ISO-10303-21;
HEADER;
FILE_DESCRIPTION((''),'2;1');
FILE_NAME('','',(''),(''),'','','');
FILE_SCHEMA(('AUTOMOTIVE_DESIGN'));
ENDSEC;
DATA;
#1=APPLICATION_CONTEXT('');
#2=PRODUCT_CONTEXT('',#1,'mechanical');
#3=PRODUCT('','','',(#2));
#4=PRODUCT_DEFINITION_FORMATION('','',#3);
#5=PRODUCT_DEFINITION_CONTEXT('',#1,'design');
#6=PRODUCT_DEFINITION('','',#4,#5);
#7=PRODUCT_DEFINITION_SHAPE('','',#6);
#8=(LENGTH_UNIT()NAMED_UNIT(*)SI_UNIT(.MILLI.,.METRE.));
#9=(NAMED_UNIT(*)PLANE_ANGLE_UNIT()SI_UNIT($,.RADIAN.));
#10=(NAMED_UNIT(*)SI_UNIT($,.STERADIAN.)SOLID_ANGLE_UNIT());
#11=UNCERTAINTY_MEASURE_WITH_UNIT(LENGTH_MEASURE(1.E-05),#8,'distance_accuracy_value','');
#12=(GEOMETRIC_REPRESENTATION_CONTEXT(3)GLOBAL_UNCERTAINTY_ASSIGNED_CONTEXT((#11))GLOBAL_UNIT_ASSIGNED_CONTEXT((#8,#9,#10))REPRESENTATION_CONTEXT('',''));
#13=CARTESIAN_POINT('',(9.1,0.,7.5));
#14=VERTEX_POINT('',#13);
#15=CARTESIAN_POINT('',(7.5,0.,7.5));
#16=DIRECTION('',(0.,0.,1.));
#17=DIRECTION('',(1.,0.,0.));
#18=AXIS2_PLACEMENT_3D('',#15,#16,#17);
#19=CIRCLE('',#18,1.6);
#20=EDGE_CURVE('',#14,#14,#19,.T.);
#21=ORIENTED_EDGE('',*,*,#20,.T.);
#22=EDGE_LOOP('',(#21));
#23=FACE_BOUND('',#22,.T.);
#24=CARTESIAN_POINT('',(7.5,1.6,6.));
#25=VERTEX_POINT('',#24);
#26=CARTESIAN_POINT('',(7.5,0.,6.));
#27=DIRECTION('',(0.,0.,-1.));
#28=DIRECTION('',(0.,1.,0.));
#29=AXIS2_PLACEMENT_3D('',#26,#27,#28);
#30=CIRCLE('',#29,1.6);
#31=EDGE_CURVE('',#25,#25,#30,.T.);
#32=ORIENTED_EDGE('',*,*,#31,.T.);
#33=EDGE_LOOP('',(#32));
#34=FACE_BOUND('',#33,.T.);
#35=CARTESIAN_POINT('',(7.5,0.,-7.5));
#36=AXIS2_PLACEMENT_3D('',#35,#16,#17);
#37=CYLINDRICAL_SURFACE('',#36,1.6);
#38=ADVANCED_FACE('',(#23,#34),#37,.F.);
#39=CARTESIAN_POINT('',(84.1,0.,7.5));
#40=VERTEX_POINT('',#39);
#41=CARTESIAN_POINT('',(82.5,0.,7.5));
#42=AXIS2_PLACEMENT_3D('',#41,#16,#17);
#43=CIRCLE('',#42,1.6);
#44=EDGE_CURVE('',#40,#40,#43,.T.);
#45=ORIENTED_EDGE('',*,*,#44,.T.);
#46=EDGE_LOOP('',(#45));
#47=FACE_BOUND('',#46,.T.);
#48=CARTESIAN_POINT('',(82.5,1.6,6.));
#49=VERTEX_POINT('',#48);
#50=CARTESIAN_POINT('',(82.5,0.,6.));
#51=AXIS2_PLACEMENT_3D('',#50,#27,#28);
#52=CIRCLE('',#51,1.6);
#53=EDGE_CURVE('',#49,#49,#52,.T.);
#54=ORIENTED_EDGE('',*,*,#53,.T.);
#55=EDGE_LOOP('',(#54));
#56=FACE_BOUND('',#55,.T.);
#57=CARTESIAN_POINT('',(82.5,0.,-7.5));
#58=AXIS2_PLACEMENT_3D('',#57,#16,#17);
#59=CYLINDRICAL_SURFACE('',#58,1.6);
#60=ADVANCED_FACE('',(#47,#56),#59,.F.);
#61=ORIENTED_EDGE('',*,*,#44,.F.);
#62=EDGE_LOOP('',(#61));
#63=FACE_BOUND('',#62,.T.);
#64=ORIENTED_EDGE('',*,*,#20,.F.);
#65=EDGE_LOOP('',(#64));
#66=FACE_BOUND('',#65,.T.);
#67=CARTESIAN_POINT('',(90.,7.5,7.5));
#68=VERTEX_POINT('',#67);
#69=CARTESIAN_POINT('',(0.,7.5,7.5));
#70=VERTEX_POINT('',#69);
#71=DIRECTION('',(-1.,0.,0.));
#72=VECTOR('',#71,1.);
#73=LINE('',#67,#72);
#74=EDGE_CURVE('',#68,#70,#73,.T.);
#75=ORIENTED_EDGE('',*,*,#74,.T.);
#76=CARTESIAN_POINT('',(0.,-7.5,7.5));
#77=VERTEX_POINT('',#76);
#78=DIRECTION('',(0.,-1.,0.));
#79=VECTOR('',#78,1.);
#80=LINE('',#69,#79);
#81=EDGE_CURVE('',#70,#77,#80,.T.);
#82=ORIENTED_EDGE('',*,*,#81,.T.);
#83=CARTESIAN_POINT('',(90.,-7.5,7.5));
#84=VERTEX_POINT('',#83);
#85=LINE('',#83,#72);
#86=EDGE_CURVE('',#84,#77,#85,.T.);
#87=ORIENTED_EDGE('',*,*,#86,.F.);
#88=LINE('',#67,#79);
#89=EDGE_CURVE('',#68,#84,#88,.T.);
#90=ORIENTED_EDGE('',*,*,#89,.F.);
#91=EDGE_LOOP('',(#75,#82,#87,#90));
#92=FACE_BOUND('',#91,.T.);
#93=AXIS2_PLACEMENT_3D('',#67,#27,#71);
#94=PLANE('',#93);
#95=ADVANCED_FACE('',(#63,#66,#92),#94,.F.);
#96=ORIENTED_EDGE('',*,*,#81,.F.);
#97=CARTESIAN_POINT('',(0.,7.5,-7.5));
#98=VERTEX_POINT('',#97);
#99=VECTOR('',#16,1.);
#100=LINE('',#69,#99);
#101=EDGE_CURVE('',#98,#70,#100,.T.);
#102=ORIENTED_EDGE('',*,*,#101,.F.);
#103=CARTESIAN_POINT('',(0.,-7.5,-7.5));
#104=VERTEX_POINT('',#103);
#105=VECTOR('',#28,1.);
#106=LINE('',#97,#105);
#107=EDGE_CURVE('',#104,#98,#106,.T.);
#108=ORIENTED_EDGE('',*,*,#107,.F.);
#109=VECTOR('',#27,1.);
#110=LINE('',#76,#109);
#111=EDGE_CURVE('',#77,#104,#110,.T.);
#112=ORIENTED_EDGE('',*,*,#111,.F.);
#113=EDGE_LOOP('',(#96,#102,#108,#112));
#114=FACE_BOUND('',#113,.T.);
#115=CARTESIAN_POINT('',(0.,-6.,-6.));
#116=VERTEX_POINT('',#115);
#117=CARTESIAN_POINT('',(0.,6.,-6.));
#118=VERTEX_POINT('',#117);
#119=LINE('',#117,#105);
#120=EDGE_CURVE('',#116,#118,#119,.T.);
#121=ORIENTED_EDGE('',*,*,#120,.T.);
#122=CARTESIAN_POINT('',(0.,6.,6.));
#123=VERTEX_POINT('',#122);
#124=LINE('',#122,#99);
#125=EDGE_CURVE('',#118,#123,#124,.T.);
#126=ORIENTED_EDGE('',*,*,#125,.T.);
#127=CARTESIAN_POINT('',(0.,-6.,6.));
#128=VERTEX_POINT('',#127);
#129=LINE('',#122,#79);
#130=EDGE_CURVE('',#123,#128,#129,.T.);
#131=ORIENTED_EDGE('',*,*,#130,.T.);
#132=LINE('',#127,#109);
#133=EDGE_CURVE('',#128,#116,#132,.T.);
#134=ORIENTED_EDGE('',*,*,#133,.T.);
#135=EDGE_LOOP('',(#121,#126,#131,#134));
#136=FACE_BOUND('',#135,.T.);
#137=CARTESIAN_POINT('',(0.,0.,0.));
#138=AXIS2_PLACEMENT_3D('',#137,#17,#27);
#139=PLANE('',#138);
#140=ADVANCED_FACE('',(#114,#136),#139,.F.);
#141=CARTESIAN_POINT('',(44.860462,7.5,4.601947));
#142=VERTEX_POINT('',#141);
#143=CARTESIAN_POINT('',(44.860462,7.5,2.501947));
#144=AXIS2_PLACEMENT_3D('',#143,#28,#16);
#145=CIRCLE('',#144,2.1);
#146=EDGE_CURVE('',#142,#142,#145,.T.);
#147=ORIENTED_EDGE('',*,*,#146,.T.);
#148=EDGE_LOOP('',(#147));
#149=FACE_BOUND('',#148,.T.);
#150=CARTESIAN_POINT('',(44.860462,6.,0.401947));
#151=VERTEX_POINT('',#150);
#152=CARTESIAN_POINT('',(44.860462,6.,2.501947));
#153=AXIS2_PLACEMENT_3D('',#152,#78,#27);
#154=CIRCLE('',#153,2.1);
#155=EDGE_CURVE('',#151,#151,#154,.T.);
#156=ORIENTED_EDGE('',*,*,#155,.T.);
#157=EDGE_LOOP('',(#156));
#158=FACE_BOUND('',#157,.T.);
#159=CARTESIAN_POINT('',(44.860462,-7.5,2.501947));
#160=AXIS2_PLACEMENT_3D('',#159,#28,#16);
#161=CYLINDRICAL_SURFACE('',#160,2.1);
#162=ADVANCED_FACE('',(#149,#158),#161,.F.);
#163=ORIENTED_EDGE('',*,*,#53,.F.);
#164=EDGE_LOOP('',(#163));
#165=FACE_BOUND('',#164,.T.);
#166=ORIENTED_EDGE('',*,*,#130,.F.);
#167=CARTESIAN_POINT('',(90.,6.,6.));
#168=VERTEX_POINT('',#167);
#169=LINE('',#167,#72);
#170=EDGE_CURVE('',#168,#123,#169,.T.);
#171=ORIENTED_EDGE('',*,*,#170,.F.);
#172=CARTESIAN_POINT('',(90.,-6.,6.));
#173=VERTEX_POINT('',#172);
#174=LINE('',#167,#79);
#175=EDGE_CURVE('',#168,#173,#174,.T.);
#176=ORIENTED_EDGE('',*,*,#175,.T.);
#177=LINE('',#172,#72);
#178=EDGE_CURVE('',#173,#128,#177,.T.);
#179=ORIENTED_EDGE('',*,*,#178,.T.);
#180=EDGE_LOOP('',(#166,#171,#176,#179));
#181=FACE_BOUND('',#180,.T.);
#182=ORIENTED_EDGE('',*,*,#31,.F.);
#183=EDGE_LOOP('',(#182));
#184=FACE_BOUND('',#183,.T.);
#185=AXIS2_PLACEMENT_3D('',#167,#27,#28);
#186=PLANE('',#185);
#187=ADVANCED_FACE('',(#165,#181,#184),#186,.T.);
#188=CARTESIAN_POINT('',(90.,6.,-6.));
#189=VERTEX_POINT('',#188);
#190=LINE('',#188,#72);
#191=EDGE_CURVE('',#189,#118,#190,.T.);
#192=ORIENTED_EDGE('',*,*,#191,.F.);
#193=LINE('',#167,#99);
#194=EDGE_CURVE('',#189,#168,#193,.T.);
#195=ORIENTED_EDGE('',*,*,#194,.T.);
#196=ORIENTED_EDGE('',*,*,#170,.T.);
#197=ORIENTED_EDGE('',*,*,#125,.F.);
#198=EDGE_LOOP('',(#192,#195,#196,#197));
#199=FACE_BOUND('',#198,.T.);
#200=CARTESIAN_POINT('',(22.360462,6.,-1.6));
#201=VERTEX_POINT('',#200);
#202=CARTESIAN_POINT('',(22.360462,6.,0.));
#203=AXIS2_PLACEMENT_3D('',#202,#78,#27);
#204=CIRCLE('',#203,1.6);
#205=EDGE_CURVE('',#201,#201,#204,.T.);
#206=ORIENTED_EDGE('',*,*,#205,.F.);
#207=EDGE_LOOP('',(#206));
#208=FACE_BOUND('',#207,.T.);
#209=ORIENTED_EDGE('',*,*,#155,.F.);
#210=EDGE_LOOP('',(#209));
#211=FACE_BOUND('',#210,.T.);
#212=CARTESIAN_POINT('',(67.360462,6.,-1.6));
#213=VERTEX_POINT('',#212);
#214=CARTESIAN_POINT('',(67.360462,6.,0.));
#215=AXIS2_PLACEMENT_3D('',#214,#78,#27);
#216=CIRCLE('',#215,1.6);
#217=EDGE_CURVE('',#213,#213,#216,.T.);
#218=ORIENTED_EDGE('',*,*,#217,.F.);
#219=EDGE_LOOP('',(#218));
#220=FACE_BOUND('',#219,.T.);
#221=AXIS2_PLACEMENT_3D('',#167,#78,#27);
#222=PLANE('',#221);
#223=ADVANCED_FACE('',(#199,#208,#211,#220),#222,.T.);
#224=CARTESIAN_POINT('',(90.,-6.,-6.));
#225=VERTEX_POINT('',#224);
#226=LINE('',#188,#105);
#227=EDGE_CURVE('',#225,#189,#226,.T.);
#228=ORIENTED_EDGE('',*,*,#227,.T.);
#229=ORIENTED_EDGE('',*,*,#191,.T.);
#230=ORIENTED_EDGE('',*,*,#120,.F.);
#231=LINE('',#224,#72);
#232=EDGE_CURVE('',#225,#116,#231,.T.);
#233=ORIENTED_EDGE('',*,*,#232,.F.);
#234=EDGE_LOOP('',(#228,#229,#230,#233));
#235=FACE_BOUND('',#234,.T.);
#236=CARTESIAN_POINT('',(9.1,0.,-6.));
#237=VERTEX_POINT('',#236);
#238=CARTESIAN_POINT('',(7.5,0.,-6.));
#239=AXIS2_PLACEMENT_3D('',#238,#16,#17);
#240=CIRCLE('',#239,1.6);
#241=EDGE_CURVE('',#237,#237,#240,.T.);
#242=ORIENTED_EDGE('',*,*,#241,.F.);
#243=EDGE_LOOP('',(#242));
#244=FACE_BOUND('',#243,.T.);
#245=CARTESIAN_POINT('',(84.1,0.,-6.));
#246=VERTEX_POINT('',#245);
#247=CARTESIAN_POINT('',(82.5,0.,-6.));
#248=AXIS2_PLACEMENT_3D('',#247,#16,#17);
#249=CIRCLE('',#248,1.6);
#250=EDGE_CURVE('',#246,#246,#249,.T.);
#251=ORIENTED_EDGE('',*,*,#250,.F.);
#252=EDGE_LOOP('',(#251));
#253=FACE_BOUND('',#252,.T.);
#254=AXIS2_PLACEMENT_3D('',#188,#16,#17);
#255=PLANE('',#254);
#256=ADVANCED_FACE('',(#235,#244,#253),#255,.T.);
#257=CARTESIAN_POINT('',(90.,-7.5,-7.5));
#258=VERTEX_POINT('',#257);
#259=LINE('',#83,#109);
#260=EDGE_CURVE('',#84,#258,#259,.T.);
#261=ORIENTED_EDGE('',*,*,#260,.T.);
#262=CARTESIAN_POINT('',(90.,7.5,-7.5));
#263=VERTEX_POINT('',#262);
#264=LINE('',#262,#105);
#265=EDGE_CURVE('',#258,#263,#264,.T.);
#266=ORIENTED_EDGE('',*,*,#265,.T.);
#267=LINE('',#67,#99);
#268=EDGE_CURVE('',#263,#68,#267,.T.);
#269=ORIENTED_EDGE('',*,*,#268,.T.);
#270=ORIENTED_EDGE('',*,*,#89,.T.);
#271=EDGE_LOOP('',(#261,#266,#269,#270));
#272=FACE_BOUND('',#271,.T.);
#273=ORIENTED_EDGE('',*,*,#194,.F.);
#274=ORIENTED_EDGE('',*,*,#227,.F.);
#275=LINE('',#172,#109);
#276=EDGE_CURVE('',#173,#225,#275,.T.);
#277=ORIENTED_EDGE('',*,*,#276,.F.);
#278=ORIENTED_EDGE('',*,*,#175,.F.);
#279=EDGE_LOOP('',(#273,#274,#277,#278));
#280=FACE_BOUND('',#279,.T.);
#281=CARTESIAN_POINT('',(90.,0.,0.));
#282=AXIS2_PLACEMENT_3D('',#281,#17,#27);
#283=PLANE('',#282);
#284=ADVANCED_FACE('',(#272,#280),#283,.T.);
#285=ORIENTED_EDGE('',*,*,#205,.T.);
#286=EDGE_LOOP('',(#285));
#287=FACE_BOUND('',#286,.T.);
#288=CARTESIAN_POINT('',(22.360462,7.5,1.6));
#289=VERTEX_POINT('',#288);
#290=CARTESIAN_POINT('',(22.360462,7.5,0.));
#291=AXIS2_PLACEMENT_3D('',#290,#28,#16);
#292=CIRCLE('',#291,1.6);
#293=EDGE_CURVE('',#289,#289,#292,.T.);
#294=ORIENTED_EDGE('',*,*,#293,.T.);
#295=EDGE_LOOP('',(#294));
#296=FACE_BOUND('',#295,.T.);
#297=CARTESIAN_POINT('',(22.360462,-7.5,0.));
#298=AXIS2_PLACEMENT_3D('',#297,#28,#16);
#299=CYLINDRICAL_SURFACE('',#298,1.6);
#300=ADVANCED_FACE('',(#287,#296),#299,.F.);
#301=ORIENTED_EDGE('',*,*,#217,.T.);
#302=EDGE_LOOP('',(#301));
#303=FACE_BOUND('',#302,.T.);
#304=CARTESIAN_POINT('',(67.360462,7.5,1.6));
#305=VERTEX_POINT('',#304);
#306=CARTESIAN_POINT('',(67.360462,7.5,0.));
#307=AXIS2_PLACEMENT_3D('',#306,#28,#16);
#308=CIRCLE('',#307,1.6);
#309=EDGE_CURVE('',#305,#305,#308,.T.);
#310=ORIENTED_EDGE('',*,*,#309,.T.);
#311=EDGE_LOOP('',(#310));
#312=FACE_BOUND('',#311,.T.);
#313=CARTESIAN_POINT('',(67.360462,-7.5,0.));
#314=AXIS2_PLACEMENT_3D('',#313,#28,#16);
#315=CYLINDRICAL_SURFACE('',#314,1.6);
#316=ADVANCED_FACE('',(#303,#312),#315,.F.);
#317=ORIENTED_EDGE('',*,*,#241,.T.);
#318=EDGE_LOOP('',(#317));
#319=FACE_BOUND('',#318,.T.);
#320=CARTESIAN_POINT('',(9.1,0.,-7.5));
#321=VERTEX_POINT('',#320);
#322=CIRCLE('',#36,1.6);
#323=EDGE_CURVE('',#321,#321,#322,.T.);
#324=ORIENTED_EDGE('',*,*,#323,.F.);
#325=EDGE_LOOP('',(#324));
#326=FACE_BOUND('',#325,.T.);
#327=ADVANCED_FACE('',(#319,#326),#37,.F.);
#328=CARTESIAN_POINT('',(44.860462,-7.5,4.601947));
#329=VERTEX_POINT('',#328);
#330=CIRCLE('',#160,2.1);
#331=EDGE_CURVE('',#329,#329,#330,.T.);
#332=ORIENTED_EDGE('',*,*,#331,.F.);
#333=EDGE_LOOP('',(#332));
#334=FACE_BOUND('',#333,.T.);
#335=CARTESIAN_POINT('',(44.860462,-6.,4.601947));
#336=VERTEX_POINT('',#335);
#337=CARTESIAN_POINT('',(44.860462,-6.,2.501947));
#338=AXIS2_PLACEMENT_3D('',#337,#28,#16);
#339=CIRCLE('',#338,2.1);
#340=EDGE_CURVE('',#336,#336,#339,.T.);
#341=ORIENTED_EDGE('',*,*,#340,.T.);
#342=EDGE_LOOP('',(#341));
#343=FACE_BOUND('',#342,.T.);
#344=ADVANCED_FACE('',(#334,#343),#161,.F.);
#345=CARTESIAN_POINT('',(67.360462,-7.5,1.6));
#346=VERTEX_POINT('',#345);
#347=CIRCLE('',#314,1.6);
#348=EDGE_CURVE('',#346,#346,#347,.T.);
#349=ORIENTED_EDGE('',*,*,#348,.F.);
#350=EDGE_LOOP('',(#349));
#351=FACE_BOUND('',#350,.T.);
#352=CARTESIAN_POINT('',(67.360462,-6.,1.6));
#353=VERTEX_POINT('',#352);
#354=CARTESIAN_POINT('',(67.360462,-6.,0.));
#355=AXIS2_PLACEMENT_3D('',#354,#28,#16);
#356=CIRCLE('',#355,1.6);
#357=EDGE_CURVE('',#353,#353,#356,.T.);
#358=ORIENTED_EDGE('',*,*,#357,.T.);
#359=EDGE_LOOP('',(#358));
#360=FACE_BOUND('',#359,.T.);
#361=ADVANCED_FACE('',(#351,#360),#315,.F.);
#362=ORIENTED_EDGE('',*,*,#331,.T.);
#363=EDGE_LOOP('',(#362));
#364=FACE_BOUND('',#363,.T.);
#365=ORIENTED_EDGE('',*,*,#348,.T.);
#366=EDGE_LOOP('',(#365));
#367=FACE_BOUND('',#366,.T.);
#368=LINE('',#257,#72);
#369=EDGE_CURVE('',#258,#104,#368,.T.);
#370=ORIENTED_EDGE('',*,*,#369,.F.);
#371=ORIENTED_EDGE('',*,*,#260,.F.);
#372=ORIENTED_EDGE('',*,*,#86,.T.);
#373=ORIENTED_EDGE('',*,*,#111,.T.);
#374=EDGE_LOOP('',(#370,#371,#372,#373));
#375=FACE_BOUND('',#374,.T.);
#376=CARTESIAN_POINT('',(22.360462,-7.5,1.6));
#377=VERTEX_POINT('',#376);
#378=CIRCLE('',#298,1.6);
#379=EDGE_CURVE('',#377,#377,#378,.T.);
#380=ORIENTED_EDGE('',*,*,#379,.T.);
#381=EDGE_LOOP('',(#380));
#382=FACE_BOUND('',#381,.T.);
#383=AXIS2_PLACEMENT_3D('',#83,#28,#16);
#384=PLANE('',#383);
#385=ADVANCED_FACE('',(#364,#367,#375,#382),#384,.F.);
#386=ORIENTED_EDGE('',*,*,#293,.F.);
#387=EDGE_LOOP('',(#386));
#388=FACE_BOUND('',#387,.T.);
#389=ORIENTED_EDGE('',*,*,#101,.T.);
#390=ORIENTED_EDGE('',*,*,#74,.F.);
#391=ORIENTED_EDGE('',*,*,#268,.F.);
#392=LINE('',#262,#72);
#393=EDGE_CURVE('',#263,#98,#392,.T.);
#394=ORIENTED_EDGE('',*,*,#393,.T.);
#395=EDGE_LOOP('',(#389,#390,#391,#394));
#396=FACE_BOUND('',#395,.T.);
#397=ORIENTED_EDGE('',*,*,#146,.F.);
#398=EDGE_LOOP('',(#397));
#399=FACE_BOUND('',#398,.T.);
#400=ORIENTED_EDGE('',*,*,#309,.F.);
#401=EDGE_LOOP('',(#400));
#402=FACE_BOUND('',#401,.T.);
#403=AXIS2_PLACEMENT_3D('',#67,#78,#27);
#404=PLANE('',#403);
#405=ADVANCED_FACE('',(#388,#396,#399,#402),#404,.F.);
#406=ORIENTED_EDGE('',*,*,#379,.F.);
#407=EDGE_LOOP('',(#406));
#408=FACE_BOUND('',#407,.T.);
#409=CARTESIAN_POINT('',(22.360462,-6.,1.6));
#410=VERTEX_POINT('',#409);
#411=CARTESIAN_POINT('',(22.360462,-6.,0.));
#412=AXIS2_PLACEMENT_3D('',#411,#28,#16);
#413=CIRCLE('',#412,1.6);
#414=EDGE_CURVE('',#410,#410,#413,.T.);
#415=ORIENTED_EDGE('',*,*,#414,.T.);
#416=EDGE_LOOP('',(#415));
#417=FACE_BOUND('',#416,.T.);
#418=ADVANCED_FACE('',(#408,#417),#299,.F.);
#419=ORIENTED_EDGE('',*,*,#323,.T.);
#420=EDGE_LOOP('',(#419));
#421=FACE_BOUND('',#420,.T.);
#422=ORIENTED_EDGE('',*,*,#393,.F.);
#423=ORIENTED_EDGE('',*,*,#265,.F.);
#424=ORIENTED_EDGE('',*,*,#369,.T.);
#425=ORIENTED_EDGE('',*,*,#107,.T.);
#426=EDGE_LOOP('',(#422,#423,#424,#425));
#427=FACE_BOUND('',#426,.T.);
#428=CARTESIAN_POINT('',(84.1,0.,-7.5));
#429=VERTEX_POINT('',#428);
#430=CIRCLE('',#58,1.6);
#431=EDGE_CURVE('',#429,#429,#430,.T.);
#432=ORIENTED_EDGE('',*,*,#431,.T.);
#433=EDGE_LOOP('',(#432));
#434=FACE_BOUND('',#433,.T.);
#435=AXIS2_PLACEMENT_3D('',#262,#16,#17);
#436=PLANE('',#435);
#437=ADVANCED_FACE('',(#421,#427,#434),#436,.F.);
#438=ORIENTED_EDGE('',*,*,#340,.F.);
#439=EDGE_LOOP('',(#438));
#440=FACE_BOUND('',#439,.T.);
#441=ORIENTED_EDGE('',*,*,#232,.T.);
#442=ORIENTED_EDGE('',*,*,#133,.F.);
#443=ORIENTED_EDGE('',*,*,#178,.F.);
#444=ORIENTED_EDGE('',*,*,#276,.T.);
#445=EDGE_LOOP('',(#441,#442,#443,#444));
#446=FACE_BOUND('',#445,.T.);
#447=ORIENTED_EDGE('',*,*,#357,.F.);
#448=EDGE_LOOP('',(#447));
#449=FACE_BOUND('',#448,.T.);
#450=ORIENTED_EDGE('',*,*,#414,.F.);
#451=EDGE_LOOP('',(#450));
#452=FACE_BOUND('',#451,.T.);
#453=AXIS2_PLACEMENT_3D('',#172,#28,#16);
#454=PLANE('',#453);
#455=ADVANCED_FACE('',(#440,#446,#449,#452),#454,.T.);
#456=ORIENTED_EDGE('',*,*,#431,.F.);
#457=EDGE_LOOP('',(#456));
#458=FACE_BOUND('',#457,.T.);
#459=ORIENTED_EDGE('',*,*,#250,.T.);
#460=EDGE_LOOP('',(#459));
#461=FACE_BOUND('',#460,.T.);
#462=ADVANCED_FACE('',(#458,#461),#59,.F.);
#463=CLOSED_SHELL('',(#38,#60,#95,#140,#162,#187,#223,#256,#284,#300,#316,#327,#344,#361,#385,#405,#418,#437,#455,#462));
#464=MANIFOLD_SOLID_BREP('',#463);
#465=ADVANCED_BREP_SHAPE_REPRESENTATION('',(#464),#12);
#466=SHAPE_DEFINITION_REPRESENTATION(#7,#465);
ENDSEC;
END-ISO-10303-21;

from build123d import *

# Parameters (mm, degrees)
SKETCH_1_W          = 15
SKETCH_1_H          = 15
SKETCH_1_W_2        = 12
SKETCH_1_H_2        = 12
EXTRUDE_1_DEPTH     = 90
SKETCH_2_R          = 2.1
SKETCH_2_R_2        = 1.6
CUT_EXTRUDE_1_DEPTH = 92.549167118
SKETCH_3_R          = 1.6
CUT_EXTRUDE_2_DEPTH = 92.549167118


with BuildPart() as part:
    # ｽｹｯﾁ1 → ﾎﾞｽ - 押し出し1 (new body)
    with BuildSketch(Plane(origin=(0, 0, 0), x_dir=(0, 0, -1), z_dir=(1, 0, 0))):
        Rectangle(SKETCH_1_W, SKETCH_1_H)
        Rectangle(SKETCH_1_W_2, SKETCH_1_H_2, mode=Mode.SUBTRACT)
    extrude(amount=EXTRUDE_1_DEPTH)

    # ｽｹｯﾁ2 → ｶｯﾄ - 押し出し1 (cut, through all)
    with BuildSketch(Plane(origin=(0, 7.5, 0), x_dir=(1, 0, 0), z_dir=(0, 1, 0))):
        with Locations(Location((44.860461956, -2.501947466, 0), (0, 0, 270))):
            Circle(SKETCH_2_R)
        with Locations(Location((22.360461956, 0, 0), (0, 0, 270))):
            Circle(SKETCH_2_R_2)
        with Locations(Location((67.360461956, 0, 0), (0, 0, 270))):
            Circle(SKETCH_2_R_2)
    extrude(amount=-CUT_EXTRUDE_1_DEPTH, mode=Mode.SUBTRACT)

    # ｽｹｯﾁ3 → ｶｯﾄ - 押し出し2 (cut, through all)
    with BuildSketch(Plane.XY.offset(7.5)):
        with Locations((7.5, 0)):
            Circle(SKETCH_3_R)
        with Locations((82.5, 0)):
            Circle(SKETCH_3_R)
    extrude(amount=-CUT_EXTRUDE_2_DEPTH, mode=Mode.SUBTRACT)


solid = part.part
